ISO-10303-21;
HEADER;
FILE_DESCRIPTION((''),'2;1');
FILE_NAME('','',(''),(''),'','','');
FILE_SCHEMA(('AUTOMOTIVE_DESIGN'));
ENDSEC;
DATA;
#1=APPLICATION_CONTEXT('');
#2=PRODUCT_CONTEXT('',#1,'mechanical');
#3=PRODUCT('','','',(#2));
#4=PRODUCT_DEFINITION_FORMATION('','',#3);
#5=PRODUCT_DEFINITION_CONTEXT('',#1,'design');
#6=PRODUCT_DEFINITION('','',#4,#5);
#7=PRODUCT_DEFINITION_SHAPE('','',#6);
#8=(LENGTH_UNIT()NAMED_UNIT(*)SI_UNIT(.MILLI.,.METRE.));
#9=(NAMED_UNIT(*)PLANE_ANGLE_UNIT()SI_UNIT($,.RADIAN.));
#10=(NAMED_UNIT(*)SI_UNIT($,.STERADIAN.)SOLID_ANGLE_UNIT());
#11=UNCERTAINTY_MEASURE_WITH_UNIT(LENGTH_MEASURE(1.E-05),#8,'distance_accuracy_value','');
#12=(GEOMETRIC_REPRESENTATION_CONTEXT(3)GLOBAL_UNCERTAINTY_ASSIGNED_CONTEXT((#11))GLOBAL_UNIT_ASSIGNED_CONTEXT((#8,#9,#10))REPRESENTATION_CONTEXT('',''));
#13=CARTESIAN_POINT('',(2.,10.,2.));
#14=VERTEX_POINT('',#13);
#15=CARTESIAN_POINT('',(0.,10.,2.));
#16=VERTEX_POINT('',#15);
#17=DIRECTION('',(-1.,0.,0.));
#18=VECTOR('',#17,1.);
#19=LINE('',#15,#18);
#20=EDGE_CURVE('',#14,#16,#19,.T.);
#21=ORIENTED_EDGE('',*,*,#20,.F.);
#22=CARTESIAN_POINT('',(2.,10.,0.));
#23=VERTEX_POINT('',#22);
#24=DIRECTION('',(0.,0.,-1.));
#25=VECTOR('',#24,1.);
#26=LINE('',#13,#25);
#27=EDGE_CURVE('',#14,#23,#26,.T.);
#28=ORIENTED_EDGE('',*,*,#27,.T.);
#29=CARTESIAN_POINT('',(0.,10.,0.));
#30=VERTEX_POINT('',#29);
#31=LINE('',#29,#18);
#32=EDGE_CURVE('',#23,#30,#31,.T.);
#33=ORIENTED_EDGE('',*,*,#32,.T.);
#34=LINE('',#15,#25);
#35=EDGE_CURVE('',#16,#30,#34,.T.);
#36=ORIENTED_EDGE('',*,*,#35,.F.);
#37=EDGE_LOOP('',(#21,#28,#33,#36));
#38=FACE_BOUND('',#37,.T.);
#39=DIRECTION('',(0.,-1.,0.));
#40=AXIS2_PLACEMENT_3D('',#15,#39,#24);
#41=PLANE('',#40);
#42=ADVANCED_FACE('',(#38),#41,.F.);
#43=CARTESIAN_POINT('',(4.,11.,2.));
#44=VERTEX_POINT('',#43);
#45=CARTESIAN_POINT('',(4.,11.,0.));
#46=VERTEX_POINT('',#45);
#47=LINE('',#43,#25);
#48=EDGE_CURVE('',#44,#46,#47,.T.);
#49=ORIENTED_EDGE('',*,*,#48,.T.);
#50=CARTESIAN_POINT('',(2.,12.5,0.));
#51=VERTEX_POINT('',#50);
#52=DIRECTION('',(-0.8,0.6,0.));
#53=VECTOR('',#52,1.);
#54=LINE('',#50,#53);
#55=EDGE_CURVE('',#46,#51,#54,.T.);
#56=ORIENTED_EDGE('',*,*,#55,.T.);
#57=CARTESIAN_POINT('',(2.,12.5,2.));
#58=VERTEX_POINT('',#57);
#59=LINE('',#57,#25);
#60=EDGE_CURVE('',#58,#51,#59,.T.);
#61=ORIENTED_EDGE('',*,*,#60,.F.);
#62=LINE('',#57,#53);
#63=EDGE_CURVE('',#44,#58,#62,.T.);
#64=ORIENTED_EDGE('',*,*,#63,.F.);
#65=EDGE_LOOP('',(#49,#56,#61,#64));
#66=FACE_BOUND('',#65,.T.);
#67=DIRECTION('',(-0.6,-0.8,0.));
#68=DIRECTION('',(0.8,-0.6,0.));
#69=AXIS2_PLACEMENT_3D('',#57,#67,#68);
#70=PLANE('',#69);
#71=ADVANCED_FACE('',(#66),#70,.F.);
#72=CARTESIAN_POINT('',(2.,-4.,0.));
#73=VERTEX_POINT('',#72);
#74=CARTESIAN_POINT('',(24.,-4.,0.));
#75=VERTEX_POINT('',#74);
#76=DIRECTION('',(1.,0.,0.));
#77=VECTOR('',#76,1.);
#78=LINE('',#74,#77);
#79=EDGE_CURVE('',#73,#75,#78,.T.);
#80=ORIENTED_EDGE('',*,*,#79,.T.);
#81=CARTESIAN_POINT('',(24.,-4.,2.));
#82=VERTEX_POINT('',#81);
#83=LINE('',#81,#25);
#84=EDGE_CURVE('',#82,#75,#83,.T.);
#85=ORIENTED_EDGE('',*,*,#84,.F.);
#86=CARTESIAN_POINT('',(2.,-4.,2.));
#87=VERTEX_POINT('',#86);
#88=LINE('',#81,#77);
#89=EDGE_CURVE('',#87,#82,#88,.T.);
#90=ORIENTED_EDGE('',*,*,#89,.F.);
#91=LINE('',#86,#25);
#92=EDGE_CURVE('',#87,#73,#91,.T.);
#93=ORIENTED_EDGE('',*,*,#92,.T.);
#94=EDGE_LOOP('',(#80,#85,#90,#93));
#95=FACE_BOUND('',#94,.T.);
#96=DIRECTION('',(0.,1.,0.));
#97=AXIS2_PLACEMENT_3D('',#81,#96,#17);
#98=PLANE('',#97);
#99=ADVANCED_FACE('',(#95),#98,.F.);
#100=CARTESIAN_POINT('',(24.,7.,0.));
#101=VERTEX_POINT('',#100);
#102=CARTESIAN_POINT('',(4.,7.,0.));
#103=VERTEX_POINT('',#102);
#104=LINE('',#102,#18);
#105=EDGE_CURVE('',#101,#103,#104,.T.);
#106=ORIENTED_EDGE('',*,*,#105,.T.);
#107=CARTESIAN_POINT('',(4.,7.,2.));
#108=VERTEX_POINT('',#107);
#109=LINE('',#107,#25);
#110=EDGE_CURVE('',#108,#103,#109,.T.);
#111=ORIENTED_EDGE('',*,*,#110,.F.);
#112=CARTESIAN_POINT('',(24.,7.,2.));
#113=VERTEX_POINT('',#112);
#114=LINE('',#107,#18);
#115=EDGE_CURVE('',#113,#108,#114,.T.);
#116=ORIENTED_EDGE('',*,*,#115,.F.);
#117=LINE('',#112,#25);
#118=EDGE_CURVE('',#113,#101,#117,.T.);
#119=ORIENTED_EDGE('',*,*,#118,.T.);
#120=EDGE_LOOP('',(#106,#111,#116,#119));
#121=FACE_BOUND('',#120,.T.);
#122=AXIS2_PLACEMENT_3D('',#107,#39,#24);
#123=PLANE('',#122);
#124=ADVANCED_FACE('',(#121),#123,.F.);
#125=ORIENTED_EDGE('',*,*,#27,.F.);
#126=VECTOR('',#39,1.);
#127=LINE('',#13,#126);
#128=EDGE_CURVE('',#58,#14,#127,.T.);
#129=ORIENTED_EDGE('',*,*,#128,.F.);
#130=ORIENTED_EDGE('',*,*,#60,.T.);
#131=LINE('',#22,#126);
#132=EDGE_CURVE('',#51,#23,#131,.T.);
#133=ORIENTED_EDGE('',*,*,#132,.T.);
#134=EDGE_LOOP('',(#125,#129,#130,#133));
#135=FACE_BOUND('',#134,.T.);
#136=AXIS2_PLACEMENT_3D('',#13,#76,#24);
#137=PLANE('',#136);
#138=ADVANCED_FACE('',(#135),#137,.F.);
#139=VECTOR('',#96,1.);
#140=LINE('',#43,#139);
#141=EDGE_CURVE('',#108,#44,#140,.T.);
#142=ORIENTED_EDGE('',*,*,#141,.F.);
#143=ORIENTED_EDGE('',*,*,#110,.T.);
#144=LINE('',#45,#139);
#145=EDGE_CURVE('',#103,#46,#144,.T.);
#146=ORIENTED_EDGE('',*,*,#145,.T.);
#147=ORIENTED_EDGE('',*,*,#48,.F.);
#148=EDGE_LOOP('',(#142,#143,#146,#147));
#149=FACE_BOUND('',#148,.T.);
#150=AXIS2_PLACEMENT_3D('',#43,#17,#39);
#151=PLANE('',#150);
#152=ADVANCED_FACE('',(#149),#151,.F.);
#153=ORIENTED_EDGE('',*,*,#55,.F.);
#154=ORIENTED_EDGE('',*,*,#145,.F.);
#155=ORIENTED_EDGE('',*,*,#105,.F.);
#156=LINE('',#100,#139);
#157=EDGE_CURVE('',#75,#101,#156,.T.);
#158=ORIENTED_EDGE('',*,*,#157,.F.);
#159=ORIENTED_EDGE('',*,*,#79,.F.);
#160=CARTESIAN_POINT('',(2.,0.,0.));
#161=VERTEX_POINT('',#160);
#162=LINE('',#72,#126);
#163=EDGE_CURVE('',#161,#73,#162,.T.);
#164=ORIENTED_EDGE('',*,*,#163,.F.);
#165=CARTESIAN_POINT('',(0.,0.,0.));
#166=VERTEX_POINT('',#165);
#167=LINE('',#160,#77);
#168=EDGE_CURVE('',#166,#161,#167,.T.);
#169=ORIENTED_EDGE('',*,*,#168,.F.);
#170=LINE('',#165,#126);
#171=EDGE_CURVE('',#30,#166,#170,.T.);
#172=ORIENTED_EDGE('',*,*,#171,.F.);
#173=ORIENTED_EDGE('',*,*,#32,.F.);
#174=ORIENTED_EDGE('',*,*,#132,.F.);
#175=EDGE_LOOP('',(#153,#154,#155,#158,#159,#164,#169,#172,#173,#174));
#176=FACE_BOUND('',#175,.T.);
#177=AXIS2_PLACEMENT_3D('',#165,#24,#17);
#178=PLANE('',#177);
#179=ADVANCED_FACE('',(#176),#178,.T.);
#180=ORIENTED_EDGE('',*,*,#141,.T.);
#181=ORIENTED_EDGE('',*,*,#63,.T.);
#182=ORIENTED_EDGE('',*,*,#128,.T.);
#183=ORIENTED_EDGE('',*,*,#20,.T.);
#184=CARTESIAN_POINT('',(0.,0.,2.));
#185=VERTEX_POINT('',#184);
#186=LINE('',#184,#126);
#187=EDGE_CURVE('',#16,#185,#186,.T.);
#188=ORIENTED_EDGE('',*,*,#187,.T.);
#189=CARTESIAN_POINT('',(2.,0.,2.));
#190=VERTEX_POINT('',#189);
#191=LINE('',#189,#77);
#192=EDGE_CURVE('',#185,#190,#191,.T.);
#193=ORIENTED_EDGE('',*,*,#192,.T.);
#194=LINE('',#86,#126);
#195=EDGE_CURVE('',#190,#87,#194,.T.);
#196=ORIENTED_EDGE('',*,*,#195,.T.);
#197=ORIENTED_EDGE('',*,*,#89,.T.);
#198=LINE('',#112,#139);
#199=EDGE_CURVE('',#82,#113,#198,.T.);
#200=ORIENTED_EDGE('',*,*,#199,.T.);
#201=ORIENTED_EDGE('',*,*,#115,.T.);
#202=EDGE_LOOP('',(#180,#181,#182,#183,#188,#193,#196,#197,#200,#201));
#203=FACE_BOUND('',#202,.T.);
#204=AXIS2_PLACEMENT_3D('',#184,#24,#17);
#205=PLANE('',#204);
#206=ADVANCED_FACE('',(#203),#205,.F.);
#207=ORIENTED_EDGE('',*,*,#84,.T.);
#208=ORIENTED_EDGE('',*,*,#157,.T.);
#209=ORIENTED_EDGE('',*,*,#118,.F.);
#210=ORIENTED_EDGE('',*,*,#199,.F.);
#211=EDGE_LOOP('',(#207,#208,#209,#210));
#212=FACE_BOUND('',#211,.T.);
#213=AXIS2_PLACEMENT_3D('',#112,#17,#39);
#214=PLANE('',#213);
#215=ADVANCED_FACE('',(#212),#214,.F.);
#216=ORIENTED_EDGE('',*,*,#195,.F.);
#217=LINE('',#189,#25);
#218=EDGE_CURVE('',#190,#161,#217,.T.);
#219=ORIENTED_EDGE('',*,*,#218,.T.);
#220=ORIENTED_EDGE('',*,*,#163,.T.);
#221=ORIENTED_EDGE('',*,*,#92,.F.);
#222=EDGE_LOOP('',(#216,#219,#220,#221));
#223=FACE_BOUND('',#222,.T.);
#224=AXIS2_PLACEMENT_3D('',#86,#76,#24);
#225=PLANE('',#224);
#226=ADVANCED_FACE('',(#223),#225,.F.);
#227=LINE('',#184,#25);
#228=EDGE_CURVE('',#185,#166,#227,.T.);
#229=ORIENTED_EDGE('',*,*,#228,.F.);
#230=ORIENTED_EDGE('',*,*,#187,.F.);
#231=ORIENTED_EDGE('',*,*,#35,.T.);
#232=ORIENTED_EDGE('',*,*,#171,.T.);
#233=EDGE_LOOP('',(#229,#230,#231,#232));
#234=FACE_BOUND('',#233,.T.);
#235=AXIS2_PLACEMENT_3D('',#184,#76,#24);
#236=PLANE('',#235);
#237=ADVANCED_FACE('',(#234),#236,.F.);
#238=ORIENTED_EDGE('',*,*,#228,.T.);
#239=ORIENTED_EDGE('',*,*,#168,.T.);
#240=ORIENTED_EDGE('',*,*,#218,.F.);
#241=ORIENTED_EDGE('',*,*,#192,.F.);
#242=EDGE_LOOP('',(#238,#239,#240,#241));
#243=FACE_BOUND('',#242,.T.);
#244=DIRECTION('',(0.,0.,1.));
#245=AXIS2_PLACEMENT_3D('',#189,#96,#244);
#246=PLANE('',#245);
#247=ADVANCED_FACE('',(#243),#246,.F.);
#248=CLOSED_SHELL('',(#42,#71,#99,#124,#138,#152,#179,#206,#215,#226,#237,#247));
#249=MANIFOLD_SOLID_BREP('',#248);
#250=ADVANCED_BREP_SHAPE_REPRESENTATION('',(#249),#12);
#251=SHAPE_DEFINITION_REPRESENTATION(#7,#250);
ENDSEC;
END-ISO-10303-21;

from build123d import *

# Parameters (mm, degrees)
EXTRUDE_1_DEPTH = 2


with BuildPart() as part:
    # ｽｹｯﾁ1 → ﾎﾞｽ - 押し出し1 (new body)
    with BuildSketch(Plane.XY):
        Polygon((0, 0), (0, 10), (2, 10), (2, 12.5), (4, 11), (4, 7), (24, 7), (24, -4), (2, -4), (2, 0), align=None)
    extrude(amount=EXTRUDE_1_DEPTH)


solid = part.part
